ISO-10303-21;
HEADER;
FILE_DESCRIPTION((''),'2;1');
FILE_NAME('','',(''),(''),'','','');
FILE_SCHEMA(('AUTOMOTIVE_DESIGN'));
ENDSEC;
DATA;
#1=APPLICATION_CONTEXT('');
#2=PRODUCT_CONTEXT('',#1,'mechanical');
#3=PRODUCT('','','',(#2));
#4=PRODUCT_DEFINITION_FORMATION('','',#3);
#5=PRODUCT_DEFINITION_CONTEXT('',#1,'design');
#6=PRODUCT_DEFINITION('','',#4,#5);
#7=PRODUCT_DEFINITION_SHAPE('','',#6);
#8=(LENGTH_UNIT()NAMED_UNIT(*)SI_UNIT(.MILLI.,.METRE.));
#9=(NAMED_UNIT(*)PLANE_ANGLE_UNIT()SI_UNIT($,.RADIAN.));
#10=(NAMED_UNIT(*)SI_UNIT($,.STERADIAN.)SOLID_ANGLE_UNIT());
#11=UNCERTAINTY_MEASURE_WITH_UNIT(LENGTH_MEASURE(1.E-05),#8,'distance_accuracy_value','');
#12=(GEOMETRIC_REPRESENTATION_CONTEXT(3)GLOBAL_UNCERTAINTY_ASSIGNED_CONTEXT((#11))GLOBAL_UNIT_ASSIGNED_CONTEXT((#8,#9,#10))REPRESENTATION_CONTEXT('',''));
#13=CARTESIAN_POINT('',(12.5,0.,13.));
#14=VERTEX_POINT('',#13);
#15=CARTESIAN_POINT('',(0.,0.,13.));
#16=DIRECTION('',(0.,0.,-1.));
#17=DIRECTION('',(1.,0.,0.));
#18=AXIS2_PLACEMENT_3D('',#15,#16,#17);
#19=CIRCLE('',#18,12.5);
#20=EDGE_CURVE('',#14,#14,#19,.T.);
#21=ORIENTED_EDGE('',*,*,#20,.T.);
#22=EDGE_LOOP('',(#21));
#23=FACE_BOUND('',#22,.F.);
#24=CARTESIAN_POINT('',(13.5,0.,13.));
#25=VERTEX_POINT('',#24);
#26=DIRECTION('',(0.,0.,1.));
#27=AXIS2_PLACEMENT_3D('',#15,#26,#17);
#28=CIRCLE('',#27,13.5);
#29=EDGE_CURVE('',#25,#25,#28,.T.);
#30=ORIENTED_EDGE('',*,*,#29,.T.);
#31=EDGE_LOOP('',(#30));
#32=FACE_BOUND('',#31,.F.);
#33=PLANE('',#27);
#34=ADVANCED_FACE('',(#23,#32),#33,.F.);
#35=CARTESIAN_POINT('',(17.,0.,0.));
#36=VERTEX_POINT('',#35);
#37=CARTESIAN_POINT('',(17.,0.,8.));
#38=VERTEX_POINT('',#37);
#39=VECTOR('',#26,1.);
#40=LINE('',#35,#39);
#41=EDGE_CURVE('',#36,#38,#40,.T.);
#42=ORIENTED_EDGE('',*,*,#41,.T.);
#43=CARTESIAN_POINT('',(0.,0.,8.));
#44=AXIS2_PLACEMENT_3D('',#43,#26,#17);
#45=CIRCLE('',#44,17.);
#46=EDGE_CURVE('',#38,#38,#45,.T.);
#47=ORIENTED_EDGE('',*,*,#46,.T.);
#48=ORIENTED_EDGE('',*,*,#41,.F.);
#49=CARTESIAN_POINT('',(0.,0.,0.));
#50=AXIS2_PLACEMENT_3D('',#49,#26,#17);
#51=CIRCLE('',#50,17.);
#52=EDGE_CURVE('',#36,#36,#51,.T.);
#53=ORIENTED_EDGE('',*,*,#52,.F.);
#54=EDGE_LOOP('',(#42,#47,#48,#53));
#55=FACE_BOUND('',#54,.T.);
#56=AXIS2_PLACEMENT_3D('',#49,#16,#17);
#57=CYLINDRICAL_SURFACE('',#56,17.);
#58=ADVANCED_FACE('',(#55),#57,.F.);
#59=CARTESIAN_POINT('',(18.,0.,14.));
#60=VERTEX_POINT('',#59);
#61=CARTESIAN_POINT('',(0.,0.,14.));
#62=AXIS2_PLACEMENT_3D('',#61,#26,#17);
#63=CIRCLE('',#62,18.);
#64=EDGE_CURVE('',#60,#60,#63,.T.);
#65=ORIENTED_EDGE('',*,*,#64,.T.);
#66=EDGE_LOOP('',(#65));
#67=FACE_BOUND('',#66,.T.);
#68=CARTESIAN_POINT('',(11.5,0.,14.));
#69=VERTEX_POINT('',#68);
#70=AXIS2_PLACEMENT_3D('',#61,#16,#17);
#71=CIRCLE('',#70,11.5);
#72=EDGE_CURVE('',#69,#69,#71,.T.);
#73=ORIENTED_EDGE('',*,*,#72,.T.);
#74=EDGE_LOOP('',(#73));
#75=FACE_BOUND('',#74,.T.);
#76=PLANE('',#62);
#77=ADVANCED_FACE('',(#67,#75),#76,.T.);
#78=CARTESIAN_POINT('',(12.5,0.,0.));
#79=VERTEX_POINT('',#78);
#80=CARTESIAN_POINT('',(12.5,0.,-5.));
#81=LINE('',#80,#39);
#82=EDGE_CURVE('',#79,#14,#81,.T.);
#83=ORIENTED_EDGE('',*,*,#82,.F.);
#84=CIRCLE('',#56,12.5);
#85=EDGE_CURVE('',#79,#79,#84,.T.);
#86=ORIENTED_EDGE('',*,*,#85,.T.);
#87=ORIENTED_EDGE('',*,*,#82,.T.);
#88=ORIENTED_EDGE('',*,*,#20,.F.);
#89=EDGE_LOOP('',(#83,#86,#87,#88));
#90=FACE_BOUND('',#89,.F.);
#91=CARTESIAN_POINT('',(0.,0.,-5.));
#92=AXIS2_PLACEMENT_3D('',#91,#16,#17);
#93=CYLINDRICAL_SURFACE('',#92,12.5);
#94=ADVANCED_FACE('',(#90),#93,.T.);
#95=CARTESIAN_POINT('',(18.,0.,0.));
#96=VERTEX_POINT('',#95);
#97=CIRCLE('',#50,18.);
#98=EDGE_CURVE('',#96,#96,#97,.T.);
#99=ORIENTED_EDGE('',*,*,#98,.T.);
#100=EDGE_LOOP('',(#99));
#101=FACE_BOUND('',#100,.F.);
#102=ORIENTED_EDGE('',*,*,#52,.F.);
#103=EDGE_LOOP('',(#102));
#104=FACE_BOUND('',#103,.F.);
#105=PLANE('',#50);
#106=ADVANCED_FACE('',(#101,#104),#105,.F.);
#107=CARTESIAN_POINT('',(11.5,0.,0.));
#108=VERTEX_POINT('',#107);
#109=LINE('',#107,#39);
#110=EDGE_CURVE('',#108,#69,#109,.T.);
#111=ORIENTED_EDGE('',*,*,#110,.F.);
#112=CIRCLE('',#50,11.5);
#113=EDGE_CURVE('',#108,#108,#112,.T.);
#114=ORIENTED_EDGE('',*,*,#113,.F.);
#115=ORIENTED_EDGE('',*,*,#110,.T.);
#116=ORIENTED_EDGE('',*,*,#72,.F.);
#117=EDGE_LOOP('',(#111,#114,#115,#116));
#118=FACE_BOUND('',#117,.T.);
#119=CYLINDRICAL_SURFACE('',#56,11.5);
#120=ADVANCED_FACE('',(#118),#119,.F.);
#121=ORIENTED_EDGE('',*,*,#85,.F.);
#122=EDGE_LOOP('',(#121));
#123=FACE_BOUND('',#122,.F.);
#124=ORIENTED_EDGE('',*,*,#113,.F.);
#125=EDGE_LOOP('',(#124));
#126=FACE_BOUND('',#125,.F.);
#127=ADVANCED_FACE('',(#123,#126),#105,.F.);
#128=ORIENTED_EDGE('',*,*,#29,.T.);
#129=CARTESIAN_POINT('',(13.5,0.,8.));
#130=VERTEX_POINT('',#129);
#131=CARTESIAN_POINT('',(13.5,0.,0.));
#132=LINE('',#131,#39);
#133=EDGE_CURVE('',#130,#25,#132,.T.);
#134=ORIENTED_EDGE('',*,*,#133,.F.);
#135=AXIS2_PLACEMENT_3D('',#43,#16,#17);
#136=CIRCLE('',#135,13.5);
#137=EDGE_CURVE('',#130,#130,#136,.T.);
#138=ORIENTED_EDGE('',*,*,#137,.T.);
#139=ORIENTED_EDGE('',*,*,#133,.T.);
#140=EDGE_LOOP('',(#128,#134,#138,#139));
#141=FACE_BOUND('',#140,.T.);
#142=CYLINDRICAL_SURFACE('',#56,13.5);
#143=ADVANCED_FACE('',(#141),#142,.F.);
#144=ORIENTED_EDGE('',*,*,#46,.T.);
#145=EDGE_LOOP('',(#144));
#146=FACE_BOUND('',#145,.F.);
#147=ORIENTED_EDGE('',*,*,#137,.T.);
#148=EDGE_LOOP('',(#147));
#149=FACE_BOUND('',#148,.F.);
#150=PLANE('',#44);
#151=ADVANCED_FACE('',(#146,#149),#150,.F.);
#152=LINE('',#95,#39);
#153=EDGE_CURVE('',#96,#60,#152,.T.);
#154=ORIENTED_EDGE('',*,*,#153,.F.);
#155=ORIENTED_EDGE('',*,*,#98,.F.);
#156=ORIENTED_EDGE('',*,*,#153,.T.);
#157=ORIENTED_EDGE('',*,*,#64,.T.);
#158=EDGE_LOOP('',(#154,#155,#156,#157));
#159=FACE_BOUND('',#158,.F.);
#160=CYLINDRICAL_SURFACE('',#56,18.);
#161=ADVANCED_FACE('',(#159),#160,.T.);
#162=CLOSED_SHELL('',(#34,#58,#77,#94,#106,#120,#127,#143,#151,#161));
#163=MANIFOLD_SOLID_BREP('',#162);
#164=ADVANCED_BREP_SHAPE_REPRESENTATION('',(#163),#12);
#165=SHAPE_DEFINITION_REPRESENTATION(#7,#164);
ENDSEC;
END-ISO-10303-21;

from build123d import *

# Parameters (mm, degrees)
CYLINDER001_R     = 12.5
CYLINDER001_DEPTH = 24
CYLINDER002_R     = 13.5
CYLINDER002_DEPTH = 13
CYLINDER_R        = 17
CYLINDER_DEPTH    = 8
CYLINDER003_R     = 11.5
CYLINDER003_DEPTH = 25
CYLINDER004_R     = 18
CYLINDER004_DEPTH = 14


with BuildPart() as innerhole:
    # Cylinder001 → Cylinder001 (new body)
    with BuildSketch(Plane.XY.offset(-5)):
        Circle(CYLINDER001_R)
    extrude(amount=CYLINDER001_DEPTH)


with BuildPart() as sleeve:
    # Cylinder002 → Cylinder002 (new body)
    with BuildSketch(Plane.XY):
        Circle(CYLINDER002_R)
    extrude(amount=CYLINDER002_DEPTH)


with BuildPart() as cut:
    # Cylinder → Cylinder (new body)
    with BuildSketch(Plane.XY):
        Circle(CYLINDER_R)
    extrude(amount=CYLINDER_DEPTH)

    # Fusion: union Sleeve
    add(sleeve.part)

    # Cut: cut InnerHole
    add(innerhole.part, mode=Mode.SUBTRACT)


with BuildPart() as materialsaving:
    # Cylinder003 → Cylinder003 (new body)
    with BuildSketch(Plane.XY):
        Circle(CYLINDER003_R)
    extrude(amount=CYLINDER003_DEPTH)


with BuildPart() as cut002:
    # Cylinder004 → Cylinder004 (new body)
    with BuildSketch(Plane.XY):
        Circle(CYLINDER004_R)
    extrude(amount=CYLINDER004_DEPTH)

    # Cut001: cut MaterialSaving
    add(materialsaving.part, mode=Mode.SUBTRACT)

    # Cut002: cut Cut
    add(cut.part, mode=Mode.SUBTRACT)


solid = cut002.part
